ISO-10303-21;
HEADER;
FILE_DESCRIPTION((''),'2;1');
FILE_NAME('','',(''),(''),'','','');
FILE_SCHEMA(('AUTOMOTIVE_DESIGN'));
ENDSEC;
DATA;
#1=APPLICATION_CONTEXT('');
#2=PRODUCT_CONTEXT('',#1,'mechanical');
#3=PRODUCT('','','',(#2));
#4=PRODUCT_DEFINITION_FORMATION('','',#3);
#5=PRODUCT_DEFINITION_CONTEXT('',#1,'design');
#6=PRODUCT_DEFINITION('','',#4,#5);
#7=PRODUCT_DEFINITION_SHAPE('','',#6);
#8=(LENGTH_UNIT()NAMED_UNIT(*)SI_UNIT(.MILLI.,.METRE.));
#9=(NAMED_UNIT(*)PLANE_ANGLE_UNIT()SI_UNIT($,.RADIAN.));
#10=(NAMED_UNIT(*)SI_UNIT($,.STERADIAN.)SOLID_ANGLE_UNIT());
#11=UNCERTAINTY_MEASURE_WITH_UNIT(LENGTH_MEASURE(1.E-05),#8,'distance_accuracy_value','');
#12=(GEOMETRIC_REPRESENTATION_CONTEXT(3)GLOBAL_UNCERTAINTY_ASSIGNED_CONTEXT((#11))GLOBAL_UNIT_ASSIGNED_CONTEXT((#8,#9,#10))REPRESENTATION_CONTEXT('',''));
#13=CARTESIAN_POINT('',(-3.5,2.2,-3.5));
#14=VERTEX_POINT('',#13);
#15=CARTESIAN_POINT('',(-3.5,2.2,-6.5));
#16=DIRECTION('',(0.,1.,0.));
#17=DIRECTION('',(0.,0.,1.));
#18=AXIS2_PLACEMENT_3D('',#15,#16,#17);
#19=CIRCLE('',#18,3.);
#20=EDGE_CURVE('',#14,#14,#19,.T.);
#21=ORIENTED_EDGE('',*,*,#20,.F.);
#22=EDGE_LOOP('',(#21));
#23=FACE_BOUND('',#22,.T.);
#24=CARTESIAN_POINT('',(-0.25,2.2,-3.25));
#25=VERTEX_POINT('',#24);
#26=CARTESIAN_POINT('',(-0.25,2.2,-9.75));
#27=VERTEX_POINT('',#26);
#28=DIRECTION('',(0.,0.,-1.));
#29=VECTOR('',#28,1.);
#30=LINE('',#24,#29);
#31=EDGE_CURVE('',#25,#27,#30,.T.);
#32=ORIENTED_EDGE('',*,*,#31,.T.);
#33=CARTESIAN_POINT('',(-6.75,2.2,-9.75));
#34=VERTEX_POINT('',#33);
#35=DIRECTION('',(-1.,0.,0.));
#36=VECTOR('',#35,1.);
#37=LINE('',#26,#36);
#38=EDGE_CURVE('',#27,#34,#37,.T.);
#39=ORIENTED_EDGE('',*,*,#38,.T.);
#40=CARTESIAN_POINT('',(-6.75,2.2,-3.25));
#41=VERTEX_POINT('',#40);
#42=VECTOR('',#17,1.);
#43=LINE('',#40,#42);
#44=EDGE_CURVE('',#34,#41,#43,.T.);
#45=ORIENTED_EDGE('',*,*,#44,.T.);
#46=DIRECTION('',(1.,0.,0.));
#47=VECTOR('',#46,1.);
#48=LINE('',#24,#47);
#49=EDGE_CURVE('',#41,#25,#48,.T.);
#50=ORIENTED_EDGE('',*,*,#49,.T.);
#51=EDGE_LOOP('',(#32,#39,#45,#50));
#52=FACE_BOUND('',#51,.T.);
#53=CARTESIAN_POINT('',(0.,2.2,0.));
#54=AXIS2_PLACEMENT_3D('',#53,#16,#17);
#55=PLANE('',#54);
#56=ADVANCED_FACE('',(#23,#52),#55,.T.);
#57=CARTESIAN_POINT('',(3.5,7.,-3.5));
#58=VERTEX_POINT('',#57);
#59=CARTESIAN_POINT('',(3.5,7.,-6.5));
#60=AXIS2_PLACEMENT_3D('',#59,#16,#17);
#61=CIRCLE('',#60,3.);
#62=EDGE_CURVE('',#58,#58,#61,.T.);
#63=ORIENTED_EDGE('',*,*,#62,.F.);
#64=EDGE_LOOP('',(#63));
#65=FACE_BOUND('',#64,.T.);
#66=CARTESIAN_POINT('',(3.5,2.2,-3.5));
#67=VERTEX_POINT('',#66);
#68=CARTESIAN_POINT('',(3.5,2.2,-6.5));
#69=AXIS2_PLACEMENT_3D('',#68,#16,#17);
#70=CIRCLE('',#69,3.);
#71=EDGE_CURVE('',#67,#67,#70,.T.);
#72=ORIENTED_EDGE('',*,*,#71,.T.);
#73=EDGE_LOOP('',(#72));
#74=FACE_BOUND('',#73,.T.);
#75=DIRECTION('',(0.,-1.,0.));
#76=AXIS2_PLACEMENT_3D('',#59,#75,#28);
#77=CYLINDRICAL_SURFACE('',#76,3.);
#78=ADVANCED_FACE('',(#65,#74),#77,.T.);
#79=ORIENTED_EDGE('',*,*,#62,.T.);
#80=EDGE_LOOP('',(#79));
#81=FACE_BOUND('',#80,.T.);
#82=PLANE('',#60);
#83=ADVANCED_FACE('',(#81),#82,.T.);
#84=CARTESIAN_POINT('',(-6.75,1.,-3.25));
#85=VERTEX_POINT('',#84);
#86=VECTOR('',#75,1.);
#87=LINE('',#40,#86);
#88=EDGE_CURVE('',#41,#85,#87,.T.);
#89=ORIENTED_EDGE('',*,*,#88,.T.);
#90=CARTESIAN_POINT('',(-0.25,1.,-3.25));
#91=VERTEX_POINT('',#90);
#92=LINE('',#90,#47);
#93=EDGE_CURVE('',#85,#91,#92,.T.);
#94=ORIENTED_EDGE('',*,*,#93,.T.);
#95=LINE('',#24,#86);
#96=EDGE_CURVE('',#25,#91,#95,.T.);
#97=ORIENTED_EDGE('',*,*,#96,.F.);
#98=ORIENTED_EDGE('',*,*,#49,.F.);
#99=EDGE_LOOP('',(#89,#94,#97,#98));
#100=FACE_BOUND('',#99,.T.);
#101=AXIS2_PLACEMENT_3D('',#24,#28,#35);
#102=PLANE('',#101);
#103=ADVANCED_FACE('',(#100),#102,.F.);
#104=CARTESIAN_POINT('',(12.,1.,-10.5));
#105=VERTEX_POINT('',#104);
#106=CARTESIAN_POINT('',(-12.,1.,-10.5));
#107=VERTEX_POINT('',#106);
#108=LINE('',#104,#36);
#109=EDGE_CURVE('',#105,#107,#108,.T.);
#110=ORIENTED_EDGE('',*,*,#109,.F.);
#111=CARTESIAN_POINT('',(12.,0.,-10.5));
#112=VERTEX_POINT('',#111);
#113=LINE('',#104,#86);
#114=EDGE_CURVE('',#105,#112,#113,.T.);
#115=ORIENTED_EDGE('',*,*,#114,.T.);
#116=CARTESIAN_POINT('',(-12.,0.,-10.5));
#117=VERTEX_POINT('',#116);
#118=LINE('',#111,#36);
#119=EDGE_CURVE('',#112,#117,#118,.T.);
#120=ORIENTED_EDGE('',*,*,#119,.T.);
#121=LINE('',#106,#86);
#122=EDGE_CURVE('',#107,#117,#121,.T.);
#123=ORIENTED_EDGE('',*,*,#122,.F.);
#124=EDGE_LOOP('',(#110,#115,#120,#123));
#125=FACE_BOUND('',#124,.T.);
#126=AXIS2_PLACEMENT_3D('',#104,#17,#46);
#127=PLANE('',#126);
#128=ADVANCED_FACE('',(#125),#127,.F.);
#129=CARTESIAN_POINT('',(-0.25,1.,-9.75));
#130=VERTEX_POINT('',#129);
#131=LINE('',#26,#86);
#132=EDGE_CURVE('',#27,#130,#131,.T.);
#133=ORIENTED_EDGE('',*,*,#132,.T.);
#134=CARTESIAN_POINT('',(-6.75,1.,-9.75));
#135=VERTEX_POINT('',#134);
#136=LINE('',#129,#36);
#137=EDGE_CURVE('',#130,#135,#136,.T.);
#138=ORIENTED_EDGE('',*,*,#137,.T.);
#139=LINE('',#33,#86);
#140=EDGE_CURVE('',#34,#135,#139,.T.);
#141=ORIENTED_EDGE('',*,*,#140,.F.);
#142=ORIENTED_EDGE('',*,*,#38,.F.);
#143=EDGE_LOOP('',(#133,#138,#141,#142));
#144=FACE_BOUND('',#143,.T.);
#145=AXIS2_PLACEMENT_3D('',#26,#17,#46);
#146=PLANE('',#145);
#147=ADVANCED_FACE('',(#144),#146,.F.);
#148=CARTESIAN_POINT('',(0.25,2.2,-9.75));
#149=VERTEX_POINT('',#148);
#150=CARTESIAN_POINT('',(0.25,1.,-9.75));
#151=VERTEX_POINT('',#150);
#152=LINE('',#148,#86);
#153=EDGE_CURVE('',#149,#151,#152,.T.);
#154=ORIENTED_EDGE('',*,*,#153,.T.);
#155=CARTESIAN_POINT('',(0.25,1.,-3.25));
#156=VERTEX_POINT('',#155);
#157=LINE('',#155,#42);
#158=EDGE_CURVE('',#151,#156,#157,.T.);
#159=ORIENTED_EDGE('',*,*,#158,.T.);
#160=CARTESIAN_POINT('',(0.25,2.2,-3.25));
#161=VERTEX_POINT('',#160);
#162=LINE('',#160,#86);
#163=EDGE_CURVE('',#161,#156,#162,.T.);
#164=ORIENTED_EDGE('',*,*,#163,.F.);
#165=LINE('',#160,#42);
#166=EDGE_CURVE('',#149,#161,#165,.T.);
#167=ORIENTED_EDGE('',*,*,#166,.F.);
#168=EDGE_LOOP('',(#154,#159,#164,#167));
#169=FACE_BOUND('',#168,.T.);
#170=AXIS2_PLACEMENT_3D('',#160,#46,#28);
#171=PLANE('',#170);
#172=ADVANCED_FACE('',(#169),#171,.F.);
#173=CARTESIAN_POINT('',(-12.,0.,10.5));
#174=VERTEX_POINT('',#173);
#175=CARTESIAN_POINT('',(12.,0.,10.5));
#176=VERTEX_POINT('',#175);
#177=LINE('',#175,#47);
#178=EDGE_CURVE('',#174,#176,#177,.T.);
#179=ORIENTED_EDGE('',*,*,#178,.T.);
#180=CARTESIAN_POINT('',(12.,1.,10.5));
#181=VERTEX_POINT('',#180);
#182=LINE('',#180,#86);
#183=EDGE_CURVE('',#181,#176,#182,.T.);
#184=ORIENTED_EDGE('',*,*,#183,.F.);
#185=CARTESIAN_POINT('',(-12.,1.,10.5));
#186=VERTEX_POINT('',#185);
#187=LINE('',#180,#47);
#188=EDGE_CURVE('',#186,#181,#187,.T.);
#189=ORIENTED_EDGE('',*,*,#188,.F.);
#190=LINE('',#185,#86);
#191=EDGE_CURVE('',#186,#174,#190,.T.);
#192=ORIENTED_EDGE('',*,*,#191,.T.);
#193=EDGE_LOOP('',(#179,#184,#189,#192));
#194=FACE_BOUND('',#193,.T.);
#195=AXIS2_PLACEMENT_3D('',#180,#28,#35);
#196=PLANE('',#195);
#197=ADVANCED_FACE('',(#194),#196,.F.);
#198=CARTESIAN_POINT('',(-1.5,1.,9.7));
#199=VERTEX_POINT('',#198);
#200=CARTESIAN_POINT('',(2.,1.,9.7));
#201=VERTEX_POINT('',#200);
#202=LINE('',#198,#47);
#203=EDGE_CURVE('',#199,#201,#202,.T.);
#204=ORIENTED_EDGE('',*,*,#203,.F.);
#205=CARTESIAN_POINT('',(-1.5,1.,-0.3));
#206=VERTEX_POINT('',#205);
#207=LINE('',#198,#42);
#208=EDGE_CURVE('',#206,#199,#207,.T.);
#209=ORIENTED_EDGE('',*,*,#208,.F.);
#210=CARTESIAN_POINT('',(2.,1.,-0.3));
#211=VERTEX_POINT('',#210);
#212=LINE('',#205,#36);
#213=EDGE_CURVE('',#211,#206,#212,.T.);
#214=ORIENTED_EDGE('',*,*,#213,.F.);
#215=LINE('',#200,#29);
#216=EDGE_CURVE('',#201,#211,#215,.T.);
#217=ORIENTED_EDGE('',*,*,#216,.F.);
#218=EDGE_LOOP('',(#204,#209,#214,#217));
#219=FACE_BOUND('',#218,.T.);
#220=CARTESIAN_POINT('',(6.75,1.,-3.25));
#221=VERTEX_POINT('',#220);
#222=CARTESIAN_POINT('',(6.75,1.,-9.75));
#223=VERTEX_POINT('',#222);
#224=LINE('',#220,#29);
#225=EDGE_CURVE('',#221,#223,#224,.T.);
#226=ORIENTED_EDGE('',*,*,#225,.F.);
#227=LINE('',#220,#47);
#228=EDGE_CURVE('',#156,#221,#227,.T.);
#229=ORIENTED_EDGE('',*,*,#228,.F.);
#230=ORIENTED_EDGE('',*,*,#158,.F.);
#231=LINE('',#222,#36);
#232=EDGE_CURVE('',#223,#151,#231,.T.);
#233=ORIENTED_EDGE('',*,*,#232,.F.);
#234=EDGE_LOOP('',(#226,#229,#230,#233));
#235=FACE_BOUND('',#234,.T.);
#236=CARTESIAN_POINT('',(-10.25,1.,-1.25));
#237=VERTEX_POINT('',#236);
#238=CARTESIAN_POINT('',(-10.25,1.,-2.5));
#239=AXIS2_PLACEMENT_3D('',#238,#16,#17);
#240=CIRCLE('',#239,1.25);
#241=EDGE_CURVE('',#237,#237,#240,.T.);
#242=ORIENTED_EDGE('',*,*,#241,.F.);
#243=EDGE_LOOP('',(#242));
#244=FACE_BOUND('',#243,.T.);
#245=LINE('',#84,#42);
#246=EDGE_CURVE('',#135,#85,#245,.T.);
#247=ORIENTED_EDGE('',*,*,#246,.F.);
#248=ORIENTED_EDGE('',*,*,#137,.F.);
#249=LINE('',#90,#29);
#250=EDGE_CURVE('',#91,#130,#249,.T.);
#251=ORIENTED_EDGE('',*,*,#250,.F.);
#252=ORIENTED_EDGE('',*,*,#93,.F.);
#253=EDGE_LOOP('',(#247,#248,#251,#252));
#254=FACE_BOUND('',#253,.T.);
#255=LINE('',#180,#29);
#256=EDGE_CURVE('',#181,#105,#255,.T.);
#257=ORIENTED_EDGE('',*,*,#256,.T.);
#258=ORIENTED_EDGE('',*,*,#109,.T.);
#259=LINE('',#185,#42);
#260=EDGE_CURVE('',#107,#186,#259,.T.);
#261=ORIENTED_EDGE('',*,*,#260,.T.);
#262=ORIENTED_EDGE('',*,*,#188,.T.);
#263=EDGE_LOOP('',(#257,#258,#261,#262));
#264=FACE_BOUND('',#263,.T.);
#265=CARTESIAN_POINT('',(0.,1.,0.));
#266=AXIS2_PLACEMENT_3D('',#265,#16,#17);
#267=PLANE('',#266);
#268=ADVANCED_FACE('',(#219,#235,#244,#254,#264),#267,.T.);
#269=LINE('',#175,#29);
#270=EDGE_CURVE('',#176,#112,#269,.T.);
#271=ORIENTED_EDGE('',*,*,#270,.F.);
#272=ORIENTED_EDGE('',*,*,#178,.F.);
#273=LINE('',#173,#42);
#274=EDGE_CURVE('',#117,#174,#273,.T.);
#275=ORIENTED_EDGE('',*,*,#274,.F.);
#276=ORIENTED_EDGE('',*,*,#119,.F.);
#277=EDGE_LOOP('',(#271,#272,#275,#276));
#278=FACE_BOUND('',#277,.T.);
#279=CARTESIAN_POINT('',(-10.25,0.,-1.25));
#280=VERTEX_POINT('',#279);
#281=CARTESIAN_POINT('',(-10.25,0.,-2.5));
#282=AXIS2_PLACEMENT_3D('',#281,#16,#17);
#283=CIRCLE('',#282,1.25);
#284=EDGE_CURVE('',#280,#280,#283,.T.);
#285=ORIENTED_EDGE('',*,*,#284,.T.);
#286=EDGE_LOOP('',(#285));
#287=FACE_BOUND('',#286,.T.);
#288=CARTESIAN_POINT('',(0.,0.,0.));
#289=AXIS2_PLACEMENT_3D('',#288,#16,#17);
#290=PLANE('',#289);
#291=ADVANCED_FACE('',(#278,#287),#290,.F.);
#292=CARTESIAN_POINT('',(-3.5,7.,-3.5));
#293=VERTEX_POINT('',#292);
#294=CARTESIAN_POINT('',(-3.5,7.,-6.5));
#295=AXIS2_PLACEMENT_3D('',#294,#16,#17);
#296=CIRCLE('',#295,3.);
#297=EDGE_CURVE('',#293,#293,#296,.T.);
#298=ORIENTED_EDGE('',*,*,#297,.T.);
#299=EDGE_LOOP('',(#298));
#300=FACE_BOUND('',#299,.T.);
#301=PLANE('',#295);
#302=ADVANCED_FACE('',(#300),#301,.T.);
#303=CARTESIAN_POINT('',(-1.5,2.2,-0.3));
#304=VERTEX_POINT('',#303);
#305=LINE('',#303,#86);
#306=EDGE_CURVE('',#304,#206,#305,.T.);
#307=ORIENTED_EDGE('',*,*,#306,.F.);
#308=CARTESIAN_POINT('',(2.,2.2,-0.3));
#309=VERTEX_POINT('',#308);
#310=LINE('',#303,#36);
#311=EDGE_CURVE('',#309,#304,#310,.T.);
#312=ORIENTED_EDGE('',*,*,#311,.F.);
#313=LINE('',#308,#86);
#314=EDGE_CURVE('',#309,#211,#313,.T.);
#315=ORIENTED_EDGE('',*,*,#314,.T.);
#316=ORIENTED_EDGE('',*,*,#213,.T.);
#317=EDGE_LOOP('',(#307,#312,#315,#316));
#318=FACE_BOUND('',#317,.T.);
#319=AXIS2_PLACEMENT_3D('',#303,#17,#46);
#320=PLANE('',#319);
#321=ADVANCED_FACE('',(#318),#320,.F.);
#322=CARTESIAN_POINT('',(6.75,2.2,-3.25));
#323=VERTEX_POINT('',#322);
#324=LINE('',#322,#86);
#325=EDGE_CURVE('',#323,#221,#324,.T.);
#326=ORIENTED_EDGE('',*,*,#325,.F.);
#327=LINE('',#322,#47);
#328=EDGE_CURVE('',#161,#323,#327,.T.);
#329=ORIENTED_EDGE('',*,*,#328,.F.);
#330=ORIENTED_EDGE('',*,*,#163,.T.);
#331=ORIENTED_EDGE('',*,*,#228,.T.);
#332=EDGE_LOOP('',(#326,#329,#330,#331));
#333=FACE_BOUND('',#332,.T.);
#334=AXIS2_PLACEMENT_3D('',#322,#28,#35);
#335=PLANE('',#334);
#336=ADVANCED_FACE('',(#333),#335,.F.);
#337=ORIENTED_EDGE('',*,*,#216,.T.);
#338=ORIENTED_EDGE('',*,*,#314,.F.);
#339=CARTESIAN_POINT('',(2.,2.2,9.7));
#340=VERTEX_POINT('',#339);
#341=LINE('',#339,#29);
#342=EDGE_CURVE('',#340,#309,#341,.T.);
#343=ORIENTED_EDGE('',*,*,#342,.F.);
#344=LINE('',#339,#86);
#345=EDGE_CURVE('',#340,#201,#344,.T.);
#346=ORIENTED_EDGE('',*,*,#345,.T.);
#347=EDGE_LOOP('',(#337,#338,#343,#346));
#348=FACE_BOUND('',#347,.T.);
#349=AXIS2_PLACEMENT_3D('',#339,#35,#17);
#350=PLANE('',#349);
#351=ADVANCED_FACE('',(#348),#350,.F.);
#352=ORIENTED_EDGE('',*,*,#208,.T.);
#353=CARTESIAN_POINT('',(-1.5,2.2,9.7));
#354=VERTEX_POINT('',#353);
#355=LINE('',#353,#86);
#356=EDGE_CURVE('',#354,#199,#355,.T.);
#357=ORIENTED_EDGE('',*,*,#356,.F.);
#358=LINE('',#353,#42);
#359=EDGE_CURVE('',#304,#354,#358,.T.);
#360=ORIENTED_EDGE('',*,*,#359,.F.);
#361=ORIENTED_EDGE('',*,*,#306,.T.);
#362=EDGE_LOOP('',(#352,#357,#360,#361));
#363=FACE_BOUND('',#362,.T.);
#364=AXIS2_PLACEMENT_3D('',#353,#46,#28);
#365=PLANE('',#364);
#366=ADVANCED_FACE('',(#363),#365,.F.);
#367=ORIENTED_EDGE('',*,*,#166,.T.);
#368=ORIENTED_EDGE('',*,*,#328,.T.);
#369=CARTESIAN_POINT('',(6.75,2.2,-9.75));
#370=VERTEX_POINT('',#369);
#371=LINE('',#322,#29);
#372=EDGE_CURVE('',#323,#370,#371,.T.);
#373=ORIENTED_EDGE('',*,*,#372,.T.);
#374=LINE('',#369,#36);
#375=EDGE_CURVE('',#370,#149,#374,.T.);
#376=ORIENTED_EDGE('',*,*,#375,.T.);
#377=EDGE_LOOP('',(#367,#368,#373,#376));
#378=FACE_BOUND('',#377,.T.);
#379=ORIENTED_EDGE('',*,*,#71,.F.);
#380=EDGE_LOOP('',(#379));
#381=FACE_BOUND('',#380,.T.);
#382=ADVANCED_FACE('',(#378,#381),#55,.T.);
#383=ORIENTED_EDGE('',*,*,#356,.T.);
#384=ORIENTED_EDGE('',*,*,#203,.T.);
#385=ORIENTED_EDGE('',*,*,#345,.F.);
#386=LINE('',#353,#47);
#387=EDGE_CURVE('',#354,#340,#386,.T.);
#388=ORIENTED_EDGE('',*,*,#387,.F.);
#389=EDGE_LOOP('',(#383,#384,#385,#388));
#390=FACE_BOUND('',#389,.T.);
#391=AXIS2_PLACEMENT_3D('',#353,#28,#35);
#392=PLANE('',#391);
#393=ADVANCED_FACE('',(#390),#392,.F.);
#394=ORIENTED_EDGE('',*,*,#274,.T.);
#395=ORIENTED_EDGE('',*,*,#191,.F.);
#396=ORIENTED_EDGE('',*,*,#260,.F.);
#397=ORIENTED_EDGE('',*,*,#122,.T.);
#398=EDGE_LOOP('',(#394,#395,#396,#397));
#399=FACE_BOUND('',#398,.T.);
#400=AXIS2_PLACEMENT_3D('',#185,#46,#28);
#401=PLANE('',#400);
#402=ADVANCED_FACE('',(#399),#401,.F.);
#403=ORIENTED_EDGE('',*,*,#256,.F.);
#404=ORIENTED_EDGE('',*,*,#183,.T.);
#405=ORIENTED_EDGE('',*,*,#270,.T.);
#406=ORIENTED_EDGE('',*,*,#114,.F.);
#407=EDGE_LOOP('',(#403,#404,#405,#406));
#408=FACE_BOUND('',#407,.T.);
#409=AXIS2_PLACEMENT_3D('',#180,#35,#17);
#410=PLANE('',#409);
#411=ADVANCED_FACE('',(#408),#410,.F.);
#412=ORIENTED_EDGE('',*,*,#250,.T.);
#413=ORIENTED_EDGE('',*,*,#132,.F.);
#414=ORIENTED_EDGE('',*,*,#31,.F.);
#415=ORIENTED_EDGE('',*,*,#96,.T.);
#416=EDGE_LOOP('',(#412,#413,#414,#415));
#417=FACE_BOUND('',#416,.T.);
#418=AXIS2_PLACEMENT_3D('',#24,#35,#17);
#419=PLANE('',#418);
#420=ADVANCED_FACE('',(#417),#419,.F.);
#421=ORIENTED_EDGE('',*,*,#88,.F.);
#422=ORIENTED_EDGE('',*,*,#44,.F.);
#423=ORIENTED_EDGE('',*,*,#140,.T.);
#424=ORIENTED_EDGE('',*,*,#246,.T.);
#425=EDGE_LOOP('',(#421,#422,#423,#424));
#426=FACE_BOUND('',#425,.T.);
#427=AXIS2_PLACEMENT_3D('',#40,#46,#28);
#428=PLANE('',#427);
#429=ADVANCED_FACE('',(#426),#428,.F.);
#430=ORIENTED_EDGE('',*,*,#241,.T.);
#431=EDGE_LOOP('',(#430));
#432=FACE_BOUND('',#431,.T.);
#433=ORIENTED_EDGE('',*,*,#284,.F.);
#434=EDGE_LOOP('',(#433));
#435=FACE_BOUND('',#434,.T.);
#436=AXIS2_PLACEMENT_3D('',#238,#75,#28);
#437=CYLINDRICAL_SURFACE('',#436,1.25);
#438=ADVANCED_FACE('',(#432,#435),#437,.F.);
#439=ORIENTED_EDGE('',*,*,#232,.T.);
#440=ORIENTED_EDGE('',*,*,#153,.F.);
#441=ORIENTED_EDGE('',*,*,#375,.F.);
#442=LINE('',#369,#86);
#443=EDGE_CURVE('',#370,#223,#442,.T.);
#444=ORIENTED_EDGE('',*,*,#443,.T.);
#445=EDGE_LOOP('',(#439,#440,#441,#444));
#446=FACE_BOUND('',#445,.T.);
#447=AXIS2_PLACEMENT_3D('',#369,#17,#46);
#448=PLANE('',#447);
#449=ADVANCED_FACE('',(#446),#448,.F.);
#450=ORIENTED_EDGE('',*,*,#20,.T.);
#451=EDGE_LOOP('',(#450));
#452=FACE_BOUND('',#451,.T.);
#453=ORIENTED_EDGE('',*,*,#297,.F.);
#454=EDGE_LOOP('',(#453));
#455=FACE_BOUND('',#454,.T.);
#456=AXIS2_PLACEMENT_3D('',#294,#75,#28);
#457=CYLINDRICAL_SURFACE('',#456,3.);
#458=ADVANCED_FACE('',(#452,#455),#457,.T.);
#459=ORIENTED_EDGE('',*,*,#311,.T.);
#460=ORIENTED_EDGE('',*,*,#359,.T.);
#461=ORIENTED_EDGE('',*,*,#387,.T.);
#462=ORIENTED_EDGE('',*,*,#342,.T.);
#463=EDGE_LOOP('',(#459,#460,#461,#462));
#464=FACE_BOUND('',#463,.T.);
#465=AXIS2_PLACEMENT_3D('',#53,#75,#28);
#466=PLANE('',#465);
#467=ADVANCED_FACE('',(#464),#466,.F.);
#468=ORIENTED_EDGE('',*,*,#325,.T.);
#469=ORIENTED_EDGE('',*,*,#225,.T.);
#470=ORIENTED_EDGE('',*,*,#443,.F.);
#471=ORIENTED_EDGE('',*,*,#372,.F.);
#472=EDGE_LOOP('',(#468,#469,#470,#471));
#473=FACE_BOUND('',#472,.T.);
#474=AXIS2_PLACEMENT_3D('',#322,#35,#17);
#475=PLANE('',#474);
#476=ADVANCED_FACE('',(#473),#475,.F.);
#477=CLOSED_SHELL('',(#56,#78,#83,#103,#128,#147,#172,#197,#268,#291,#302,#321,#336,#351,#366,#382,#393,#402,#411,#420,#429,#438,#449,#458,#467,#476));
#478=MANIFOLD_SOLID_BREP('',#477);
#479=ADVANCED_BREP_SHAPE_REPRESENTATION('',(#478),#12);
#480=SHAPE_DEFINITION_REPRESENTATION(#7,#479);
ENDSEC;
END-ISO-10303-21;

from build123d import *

# Parameters (mm, degrees)
SKETCH1_W           = 24
SKETCH1_H           = 21
SKETCH1_R           = 1.25
BOSS_EXTRUDE1_DEPTH = 1
SKETCH2_R           = 3
BOSS_EXTRUDE2_DEPTH = 6
SKETCH3_W           = 6.5
SKETCH3_H           = 6.5
SKETCH3_W_2         = 3.5
SKETCH3_H_2         = 10
BOSS_EXTRUDE3_DEPTH = 1.2


with BuildPart() as part:
    # Sketch1 → Boss-Extrude1 (new body)
    with BuildSketch(Plane(origin=(0, 0, 0), x_dir=(1, 0, 0), z_dir=(0, 1, 0))):
        Rectangle(SKETCH1_W, SKETCH1_H)
        with Locations(Location((-10.25, 2.5, 0), (0, 0, 270))):
            Circle(SKETCH1_R, mode=Mode.SUBTRACT)
    extrude(amount=BOSS_EXTRUDE1_DEPTH)

    # Sketch2 → Boss-Extrude2 (add)
    with BuildSketch(Plane(origin=(0, 1, 0), x_dir=(1, 0, 0), z_dir=(0, 1, 0))):
        with Locations(Location((3.5, 6.5, 0), (0, 0, 270))):
            Circle(SKETCH2_R)
        with Locations(Location((-3.5, 6.5, 0), (0, 0, 270))):
            Circle(SKETCH2_R)
    extrude(amount=BOSS_EXTRUDE2_DEPTH)

    # Sketch3 → Boss-Extrude3 (add)
    with BuildSketch(Plane(origin=(0, 1, 0), x_dir=(1, 0, 0), z_dir=(0, 1, 0))):
        with Locations((-3.5, 6.5)):
            Rectangle(SKETCH3_W, SKETCH3_H)
        with Locations((3.5, 6.5)):
            Rectangle(SKETCH3_W, SKETCH3_H)
        with Locations((0.25, -4.7)):
            Rectangle(SKETCH3_W_2, SKETCH3_H_2)
    extrude(amount=BOSS_EXTRUDE3_DEPTH)


solid = part.part
